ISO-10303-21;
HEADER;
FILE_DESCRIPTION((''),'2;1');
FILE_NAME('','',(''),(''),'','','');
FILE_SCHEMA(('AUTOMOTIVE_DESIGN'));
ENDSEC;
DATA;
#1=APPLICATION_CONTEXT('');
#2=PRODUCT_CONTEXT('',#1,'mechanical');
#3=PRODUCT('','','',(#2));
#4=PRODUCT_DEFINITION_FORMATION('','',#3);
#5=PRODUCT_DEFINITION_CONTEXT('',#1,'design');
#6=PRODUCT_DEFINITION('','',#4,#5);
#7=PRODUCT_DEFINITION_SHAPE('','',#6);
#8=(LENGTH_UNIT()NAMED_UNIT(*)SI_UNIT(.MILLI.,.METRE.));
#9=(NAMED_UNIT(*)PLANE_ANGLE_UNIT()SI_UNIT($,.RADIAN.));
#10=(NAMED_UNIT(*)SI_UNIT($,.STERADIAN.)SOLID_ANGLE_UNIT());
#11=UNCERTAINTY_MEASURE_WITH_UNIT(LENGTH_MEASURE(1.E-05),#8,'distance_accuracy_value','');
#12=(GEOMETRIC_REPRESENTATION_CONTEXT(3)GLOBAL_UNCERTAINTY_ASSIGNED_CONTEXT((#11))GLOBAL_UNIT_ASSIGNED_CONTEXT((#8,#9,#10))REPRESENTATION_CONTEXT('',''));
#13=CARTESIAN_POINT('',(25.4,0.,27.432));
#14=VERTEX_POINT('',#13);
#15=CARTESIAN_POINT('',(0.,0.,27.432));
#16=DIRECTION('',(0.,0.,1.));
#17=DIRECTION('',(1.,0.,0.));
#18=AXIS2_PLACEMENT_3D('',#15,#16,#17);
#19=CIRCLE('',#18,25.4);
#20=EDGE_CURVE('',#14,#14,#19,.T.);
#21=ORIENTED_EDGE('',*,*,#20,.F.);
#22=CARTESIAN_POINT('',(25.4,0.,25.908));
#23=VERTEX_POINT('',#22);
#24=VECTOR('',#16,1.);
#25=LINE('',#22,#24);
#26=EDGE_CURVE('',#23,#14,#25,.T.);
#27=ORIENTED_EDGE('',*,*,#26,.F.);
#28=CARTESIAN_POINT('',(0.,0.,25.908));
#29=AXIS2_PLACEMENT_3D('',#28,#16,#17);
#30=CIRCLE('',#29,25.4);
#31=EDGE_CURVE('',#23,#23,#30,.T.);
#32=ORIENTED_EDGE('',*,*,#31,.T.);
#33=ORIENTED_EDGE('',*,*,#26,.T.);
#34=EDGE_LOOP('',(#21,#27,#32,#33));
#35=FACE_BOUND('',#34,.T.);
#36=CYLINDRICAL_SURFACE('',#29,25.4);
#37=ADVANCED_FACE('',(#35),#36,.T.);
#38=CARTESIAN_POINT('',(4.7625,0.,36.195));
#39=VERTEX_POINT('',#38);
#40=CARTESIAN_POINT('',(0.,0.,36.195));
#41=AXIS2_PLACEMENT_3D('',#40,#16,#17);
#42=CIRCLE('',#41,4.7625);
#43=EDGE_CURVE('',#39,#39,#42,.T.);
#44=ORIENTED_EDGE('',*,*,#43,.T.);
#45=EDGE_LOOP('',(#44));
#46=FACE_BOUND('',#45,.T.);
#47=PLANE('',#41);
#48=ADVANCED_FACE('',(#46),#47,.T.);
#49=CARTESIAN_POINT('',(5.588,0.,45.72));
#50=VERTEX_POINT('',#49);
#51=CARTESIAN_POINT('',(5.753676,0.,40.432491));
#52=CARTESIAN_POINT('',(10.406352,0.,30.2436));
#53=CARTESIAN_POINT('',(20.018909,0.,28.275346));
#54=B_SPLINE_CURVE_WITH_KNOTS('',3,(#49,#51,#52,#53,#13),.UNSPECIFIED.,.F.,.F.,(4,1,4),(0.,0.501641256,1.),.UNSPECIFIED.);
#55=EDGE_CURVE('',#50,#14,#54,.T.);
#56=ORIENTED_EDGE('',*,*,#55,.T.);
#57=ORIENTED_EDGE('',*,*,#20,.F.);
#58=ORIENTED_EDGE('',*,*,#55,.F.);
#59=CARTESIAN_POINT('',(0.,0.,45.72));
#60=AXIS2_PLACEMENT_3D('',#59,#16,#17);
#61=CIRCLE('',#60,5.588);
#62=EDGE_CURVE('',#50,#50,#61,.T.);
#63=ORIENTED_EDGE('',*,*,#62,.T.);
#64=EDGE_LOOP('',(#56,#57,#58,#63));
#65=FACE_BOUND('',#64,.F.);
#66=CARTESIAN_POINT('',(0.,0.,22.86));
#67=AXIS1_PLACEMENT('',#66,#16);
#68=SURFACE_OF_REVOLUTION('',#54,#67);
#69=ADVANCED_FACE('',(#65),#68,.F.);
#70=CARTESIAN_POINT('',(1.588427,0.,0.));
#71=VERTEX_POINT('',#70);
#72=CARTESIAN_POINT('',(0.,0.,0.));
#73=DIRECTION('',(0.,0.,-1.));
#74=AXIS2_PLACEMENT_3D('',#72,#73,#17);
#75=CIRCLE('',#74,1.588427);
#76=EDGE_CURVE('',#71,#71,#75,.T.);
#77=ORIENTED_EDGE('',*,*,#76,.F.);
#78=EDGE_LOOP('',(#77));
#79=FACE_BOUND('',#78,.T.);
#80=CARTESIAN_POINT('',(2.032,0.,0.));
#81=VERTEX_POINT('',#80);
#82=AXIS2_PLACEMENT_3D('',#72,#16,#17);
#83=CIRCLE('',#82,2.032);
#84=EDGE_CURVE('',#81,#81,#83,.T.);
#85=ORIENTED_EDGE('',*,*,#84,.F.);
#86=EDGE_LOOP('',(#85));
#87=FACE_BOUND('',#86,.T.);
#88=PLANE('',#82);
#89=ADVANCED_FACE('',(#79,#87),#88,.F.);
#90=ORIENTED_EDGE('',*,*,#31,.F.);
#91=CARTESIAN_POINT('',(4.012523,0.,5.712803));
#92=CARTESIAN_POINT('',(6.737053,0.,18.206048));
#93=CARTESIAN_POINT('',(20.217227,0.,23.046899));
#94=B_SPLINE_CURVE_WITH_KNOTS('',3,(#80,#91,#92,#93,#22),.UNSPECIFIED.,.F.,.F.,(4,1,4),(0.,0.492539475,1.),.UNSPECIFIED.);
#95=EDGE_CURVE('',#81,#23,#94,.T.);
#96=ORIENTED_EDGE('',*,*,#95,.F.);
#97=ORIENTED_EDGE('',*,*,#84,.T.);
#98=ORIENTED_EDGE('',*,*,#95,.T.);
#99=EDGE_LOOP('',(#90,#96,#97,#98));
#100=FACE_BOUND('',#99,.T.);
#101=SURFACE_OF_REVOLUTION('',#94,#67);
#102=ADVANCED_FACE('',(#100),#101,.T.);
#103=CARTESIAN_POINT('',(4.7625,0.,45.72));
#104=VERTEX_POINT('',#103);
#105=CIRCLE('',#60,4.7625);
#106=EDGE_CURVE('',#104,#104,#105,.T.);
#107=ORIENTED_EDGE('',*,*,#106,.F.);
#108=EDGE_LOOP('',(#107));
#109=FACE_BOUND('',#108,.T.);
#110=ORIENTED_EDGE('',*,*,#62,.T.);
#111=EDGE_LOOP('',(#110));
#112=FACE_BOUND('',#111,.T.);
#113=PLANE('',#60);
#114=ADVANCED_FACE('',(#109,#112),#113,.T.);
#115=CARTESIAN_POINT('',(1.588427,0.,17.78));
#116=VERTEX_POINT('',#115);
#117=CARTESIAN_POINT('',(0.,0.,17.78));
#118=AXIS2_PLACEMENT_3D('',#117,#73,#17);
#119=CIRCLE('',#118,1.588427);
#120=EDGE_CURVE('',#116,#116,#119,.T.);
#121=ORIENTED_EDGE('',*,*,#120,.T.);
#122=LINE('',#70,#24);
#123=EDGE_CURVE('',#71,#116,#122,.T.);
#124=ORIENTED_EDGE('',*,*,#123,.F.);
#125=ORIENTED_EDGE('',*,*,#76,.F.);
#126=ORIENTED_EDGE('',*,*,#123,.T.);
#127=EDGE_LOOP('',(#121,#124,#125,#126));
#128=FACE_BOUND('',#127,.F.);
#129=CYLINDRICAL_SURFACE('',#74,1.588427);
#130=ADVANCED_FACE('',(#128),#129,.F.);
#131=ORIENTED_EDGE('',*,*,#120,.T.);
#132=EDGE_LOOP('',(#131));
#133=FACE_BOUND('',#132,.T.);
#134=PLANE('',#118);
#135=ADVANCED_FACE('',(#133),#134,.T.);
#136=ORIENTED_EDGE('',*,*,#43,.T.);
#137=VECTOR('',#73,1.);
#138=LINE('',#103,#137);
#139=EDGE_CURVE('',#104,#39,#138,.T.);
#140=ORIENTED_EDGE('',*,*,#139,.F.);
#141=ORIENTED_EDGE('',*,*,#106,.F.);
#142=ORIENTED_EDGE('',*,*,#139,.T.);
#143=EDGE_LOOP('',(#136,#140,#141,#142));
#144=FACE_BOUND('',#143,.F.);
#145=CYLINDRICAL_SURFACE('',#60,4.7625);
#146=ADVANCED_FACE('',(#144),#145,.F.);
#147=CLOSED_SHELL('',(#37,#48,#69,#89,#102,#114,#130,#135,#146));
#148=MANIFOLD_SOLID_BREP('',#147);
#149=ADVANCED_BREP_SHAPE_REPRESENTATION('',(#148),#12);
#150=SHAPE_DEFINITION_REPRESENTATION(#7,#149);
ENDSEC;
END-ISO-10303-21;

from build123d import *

# Parameters (mm, degrees)
F2_R     = 4.7625
F3_DEPTH = 9.525
F4_R     = 1.5884269423
F5_DEPTH = 17.78


with BuildPart() as f1:
    # F0 (on Front) → F1 (revolve)
    with BuildSketch(Plane.XZ):
        with BuildLine():
            Line((0, 45.72), (0, 0))
            Line((0, 0), (2.032, 0))
            add(Edge.make_bspline(
                [(2.032, 0), (4.0125234635, 5.712802884), (6.7370530543, 18.2060480538), (20.2172267396, 23.0468985691), (25.4, 25.908)],
                knots=[0, 0, 0, 0, 0.4925394747, 1, 1, 1, 1], degree=3))
            Line((25.4, 25.908), (25.4, 27.432))
            add(Edge.make_bspline(
                [(5.588, 45.72), (5.75367604, 40.4324909312), (10.4063519162, 30.2436000775), (20.018908953, 28.275345569), (25.4, 27.432)],
                knots=[0, 0, 0, 0, 0.5016412558, 1, 1, 1, 1], degree=3))
            Line((5.588, 45.72), (0, 45.72))
        make_face()
    revolve(axis=Axis((0, 0, 22.86), (0, 0, 1)))

    # F2 (on face) → F3 (cut)
    with BuildSketch(Plane.XY.offset(45.72)):
        Circle(F2_R)
    extrude(amount=-F3_DEPTH, mode=Mode.SUBTRACT)

    # F4 (on face) → F5 (cut)
    with BuildSketch(Plane(origin=(0, 0, 0), x_dir=(1, 0, 0), z_dir=(0, 0, -1))):
        Circle(F4_R)
    extrude(amount=-F5_DEPTH, mode=Mode.SUBTRACT)


solid = f1.part
